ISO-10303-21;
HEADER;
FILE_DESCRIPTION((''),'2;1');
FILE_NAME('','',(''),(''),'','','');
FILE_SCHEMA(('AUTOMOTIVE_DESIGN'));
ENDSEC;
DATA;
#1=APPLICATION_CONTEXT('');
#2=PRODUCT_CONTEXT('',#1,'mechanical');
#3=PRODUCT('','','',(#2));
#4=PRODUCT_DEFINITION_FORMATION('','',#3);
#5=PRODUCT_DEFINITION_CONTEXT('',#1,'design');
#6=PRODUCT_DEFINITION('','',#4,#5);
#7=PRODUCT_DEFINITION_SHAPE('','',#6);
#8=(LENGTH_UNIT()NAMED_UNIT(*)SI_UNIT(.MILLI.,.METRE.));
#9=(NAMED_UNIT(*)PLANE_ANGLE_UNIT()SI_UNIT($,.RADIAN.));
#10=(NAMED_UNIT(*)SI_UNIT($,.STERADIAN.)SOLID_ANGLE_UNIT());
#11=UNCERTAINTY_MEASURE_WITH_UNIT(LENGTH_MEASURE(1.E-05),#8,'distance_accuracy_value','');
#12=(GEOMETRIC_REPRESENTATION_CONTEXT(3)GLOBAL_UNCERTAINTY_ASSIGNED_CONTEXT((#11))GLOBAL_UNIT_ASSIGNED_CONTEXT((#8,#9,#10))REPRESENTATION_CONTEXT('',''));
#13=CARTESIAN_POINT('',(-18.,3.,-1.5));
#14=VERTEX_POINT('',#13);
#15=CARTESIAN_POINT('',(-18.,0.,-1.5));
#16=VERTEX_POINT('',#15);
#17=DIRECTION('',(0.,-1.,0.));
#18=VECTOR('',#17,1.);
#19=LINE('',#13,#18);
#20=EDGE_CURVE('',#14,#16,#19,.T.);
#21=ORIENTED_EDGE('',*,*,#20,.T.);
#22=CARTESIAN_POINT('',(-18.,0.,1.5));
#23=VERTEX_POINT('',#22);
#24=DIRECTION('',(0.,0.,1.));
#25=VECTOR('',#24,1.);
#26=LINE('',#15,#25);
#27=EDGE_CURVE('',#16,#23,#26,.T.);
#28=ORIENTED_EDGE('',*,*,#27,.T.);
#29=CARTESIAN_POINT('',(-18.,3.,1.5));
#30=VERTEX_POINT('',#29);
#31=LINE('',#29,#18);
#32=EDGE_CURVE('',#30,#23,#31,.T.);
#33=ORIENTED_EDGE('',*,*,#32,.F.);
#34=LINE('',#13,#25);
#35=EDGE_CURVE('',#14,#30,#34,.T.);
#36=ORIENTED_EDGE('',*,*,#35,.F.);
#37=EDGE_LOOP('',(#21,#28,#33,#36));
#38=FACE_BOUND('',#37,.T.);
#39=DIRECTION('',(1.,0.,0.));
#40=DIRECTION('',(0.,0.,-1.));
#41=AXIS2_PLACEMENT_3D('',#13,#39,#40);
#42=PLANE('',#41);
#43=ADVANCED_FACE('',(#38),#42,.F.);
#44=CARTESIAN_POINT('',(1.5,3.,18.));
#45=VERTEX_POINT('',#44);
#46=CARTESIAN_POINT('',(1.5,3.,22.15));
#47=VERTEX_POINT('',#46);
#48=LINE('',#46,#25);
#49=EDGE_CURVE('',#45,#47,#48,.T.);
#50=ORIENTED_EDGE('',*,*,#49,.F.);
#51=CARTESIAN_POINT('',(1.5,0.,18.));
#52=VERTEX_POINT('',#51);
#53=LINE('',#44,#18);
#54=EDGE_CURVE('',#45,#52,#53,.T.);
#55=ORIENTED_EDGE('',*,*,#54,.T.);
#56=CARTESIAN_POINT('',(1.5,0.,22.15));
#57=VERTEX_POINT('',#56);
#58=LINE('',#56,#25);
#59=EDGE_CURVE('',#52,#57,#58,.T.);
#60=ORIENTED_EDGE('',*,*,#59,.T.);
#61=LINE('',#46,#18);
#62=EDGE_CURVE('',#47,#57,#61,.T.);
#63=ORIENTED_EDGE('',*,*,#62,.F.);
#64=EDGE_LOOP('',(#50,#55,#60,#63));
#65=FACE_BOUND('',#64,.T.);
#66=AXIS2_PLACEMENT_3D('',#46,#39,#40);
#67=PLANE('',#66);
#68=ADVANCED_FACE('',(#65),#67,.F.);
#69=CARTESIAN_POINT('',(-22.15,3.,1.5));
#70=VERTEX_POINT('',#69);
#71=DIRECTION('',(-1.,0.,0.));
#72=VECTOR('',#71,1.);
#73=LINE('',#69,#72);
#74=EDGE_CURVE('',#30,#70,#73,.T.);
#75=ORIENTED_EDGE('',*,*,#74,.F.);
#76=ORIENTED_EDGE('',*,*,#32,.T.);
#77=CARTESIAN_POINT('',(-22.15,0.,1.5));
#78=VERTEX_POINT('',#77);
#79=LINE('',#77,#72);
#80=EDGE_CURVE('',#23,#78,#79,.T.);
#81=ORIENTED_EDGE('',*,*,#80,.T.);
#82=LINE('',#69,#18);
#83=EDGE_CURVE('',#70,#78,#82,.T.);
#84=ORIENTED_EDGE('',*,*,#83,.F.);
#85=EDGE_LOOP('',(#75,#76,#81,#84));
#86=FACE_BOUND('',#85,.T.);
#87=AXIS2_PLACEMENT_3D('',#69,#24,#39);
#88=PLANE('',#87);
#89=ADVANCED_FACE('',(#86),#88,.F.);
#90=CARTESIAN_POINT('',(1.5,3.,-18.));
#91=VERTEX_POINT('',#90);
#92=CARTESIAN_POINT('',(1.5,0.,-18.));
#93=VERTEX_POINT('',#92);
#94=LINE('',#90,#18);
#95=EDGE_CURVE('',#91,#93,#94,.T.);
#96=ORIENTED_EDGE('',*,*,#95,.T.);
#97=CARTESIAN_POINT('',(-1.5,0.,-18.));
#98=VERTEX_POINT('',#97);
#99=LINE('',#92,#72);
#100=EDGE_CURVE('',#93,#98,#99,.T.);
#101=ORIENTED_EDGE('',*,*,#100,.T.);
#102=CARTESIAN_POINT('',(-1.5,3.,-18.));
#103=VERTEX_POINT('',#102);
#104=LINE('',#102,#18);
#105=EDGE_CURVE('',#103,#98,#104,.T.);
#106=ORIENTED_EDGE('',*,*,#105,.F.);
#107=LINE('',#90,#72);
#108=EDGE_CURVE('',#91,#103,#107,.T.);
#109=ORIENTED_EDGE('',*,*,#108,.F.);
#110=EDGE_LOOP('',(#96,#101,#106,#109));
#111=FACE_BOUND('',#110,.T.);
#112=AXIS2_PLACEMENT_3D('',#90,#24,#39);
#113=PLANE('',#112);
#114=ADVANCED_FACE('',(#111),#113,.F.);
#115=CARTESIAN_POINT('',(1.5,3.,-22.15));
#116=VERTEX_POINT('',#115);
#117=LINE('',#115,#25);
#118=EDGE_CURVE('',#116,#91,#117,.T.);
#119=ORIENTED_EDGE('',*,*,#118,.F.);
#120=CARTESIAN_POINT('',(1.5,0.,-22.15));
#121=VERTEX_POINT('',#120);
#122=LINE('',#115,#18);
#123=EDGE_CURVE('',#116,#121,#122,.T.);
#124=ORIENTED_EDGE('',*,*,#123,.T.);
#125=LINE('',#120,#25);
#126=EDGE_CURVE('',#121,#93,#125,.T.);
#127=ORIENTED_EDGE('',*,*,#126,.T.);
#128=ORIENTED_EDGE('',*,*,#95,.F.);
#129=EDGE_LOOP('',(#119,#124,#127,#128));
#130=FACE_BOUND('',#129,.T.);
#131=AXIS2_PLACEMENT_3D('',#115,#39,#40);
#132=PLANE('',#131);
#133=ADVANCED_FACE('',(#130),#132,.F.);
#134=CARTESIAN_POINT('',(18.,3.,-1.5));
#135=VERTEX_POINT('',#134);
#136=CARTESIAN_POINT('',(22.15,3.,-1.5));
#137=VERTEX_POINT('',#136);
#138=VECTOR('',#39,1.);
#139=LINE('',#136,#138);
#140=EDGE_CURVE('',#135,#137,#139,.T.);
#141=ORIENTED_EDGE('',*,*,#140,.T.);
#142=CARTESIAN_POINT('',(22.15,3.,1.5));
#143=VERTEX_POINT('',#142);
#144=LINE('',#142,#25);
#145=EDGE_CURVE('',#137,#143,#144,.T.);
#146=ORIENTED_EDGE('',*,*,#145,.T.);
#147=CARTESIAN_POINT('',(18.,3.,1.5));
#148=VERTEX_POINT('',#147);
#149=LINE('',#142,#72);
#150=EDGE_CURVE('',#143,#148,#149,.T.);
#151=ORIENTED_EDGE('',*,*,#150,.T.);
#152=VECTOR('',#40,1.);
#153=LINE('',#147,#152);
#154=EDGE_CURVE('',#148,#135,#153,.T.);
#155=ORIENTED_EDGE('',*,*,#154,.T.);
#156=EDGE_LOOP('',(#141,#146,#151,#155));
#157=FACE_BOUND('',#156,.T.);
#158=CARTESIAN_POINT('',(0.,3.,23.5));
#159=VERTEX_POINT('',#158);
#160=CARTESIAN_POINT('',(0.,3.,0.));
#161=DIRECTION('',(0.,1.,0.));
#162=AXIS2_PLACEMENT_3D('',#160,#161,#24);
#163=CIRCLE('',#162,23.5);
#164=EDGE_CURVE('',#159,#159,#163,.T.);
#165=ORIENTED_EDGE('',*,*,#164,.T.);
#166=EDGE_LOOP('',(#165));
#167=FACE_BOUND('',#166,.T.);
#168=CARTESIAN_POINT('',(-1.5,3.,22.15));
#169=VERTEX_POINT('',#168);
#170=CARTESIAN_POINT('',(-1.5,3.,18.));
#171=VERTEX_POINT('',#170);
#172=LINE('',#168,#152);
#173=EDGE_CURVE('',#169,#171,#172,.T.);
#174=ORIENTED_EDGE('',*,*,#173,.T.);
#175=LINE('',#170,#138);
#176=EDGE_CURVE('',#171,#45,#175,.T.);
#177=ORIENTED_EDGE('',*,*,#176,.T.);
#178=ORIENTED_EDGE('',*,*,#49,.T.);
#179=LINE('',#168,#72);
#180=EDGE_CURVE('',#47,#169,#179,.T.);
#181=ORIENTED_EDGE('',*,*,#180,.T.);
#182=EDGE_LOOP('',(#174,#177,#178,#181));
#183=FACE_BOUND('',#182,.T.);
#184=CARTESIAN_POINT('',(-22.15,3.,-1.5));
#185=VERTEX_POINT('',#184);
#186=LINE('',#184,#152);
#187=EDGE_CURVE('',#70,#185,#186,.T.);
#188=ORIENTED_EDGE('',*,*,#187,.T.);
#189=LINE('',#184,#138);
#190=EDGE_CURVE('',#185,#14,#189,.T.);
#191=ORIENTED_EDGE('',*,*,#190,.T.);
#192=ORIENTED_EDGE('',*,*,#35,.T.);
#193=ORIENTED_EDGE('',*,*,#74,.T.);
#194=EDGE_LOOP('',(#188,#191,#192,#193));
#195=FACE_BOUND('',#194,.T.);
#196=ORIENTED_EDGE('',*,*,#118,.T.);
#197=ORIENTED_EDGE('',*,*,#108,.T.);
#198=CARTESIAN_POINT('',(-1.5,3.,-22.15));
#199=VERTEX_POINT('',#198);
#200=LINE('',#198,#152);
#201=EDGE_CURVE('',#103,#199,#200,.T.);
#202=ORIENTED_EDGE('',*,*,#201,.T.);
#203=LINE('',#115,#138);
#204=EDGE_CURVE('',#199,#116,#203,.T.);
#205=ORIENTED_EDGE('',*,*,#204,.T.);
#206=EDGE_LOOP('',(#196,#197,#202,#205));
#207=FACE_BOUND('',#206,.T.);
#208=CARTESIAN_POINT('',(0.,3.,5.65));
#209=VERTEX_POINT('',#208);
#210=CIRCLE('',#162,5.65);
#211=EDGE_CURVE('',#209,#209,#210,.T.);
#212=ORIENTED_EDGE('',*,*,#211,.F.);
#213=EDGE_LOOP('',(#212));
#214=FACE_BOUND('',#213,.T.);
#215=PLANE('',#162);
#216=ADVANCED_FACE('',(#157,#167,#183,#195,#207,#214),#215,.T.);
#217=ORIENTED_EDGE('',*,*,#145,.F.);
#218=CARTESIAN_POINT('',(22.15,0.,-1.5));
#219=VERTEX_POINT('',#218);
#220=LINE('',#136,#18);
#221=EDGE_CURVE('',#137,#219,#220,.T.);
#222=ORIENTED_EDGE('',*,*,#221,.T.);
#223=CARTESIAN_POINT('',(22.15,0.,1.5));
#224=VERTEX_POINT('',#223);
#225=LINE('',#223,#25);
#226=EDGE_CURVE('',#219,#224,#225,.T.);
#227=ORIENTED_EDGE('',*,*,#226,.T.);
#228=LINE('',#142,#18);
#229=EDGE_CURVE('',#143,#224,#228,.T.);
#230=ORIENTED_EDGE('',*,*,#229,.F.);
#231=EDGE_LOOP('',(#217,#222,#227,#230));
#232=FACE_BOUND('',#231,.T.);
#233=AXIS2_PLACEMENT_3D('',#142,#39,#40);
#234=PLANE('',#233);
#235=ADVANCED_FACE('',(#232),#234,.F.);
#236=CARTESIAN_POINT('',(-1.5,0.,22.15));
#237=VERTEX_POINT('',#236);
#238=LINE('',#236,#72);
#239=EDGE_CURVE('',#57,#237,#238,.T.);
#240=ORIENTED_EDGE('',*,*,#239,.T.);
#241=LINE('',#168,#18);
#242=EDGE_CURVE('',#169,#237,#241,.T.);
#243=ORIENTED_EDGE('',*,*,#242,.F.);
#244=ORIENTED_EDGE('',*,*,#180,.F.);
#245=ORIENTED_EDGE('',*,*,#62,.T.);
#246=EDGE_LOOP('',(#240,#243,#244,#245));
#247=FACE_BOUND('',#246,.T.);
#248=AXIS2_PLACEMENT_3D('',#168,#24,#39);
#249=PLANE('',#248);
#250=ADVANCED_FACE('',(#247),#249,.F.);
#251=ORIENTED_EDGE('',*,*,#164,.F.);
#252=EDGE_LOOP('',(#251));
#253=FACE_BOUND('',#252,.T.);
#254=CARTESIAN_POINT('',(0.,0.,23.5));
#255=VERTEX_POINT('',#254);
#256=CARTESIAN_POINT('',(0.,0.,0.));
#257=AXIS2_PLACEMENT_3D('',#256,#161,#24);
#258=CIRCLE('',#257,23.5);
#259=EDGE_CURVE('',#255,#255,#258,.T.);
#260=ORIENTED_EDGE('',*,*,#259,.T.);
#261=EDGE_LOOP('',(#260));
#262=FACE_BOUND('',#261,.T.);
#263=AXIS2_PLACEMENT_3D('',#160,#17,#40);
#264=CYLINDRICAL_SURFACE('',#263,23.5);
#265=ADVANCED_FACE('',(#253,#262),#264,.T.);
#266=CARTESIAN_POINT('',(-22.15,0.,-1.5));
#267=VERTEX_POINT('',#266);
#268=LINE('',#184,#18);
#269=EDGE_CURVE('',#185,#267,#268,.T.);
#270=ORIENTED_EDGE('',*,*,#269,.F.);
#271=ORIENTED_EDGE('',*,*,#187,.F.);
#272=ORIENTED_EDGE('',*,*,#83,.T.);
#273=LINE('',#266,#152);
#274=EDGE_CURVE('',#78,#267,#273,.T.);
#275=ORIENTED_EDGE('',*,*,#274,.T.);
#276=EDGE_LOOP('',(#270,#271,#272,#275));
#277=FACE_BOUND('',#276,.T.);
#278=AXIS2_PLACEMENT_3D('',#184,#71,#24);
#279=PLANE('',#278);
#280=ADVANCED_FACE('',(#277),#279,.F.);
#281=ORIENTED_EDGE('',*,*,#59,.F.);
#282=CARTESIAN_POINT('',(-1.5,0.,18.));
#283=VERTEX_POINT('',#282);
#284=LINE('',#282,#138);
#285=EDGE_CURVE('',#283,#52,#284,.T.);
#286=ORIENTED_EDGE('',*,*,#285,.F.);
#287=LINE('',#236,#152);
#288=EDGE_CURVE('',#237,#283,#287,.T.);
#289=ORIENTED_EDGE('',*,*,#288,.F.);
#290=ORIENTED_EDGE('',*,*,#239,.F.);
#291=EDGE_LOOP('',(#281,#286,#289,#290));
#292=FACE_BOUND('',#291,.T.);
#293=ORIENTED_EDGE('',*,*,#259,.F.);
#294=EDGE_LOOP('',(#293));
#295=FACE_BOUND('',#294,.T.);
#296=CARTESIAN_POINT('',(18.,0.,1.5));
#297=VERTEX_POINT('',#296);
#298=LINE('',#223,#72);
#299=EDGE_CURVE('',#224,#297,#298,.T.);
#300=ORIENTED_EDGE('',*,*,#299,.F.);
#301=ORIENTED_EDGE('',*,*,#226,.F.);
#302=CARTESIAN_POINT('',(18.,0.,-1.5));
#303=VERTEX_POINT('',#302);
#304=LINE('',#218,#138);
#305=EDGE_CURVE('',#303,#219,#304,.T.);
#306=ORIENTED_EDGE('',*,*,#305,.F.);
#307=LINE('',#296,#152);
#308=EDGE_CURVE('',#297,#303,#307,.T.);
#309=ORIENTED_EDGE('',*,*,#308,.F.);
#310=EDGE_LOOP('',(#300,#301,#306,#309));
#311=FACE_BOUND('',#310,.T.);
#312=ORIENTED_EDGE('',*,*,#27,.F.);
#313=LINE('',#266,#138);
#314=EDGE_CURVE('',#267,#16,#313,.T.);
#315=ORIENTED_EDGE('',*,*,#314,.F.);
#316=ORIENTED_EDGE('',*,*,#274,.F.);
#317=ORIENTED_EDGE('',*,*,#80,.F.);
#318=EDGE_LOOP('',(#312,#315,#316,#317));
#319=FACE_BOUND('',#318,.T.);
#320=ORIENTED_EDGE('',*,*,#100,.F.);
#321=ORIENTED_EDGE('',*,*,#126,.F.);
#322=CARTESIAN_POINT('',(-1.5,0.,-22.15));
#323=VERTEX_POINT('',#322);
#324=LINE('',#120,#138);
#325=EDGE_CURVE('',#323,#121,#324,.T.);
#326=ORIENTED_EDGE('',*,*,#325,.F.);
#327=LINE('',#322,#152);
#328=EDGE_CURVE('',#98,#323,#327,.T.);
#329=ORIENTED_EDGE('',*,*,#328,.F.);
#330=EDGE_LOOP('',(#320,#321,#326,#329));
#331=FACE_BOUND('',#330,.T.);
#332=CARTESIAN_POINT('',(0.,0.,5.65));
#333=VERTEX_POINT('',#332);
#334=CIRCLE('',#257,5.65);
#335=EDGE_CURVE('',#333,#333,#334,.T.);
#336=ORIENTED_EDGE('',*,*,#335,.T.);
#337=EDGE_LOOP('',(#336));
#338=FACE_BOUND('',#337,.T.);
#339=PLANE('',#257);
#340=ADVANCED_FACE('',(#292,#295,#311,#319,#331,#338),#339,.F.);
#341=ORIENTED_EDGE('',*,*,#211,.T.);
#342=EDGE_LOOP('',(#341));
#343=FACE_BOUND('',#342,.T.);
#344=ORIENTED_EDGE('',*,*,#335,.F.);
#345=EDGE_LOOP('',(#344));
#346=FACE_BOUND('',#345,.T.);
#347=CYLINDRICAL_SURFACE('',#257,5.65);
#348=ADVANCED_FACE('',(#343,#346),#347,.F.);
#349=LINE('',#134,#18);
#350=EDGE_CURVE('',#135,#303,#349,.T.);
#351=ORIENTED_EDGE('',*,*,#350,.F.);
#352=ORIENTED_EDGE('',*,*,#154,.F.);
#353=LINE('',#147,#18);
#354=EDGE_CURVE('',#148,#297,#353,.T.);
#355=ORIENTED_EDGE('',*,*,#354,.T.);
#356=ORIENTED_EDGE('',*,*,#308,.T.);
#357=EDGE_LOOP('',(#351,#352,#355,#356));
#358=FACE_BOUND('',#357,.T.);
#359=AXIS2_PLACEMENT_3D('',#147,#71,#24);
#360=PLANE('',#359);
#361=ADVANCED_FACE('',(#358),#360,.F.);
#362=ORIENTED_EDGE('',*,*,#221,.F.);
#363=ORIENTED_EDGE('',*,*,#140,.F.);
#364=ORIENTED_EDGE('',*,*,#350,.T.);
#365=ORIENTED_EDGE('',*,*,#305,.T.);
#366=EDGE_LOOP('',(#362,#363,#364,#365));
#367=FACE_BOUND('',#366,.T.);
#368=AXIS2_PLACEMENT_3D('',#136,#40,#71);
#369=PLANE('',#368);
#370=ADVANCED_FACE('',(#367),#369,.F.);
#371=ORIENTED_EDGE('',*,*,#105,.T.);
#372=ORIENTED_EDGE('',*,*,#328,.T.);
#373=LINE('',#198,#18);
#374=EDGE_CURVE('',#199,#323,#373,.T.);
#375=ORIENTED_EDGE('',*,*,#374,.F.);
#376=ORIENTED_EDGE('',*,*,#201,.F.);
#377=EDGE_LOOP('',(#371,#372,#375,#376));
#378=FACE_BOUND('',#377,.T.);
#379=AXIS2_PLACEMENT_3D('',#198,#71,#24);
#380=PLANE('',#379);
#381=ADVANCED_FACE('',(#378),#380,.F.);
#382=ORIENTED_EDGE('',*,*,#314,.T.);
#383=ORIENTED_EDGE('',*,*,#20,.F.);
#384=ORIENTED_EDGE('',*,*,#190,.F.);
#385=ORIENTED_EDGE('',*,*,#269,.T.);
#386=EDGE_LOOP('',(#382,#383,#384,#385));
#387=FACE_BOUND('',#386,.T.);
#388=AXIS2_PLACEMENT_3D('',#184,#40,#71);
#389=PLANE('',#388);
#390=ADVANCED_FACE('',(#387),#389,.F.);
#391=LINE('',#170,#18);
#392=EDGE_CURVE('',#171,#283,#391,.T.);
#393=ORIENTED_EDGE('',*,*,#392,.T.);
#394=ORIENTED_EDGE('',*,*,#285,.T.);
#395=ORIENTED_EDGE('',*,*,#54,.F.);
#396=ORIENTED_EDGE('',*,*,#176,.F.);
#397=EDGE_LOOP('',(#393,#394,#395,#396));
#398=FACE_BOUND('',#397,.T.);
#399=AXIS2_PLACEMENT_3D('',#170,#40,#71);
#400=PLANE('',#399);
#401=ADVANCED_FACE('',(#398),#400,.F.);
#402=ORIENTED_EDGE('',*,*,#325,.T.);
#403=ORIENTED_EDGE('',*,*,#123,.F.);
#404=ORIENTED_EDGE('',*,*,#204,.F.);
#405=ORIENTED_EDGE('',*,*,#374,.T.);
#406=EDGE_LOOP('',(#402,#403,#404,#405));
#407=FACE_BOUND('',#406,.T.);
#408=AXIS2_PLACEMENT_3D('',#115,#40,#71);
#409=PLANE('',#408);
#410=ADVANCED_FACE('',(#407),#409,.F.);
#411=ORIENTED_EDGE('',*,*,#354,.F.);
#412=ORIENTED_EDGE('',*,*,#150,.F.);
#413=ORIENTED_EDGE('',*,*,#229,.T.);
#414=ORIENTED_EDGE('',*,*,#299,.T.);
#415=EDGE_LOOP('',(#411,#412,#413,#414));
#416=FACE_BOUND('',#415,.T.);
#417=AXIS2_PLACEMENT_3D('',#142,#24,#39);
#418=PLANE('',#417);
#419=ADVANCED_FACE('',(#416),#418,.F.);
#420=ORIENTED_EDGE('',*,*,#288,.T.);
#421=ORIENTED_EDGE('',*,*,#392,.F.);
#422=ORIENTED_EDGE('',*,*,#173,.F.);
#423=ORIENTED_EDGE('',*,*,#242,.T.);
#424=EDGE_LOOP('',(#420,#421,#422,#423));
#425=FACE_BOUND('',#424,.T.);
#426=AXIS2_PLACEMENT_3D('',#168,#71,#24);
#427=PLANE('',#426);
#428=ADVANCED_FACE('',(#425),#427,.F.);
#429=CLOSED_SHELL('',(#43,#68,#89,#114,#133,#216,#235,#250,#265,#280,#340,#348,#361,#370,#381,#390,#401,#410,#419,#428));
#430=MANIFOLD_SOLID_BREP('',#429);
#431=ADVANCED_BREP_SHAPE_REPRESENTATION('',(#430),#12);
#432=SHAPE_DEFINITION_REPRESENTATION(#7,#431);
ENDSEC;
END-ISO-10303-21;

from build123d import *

# Parameters (mm, degrees)
SKICA1_R                 = 23.5
P_IDAT_VYSUNUT_M1_DEPTH  = 3
SKICA2_R                 = 5.65
ODEBRAT_VYSUNUT_M1_DEPTH = 3
SKICA3_W                 = 4.15
SKICA3_H                 = 3
SKICA3_W_2               = 3
SKICA3_H_2               = 4.15
ODEBRAT_VYSUNUT_M2_DEPTH = 3


with BuildPart() as part:
    # Skica1 → Přidat vysunutím1 (new body)
    with BuildSketch(Plane(origin=(0, 0, 0), x_dir=(1, 0, 0), z_dir=(0, 1, 0))):
        with Locations(Location((0, 0, 0), (0, 0, 270))):
            Circle(SKICA1_R)
    extrude(amount=P_IDAT_VYSUNUT_M1_DEPTH)

    # Skica2 → Odebrat vysunutím1 (cut)
    with BuildSketch(Plane(origin=(0, 3, 0), x_dir=(1, 0, 0), z_dir=(0, 1, 0))):
        with Locations(Location((0, 0, 0), (0, 0, 270))):
            Circle(SKICA2_R)
    extrude(amount=-ODEBRAT_VYSUNUT_M1_DEPTH, mode=Mode.SUBTRACT)

    # Skica3 → Odebrat vysunutím2 (cut)
    with BuildSketch(Plane.XZ):
        with Locations((20.075, 0)):
            Rectangle(SKICA3_W, SKICA3_H)
        with Locations((0, 20.075)):
            Rectangle(SKICA3_W_2, SKICA3_H_2)
        with Locations((0, -20.075)):
            Rectangle(SKICA3_W_2, SKICA3_H_2)
        with Locations((-20.075, 0)):
            Rectangle(SKICA3_W, SKICA3_H)
    extrude(amount=-ODEBRAT_VYSUNUT_M2_DEPTH, mode=Mode.SUBTRACT)


solid = part.part
